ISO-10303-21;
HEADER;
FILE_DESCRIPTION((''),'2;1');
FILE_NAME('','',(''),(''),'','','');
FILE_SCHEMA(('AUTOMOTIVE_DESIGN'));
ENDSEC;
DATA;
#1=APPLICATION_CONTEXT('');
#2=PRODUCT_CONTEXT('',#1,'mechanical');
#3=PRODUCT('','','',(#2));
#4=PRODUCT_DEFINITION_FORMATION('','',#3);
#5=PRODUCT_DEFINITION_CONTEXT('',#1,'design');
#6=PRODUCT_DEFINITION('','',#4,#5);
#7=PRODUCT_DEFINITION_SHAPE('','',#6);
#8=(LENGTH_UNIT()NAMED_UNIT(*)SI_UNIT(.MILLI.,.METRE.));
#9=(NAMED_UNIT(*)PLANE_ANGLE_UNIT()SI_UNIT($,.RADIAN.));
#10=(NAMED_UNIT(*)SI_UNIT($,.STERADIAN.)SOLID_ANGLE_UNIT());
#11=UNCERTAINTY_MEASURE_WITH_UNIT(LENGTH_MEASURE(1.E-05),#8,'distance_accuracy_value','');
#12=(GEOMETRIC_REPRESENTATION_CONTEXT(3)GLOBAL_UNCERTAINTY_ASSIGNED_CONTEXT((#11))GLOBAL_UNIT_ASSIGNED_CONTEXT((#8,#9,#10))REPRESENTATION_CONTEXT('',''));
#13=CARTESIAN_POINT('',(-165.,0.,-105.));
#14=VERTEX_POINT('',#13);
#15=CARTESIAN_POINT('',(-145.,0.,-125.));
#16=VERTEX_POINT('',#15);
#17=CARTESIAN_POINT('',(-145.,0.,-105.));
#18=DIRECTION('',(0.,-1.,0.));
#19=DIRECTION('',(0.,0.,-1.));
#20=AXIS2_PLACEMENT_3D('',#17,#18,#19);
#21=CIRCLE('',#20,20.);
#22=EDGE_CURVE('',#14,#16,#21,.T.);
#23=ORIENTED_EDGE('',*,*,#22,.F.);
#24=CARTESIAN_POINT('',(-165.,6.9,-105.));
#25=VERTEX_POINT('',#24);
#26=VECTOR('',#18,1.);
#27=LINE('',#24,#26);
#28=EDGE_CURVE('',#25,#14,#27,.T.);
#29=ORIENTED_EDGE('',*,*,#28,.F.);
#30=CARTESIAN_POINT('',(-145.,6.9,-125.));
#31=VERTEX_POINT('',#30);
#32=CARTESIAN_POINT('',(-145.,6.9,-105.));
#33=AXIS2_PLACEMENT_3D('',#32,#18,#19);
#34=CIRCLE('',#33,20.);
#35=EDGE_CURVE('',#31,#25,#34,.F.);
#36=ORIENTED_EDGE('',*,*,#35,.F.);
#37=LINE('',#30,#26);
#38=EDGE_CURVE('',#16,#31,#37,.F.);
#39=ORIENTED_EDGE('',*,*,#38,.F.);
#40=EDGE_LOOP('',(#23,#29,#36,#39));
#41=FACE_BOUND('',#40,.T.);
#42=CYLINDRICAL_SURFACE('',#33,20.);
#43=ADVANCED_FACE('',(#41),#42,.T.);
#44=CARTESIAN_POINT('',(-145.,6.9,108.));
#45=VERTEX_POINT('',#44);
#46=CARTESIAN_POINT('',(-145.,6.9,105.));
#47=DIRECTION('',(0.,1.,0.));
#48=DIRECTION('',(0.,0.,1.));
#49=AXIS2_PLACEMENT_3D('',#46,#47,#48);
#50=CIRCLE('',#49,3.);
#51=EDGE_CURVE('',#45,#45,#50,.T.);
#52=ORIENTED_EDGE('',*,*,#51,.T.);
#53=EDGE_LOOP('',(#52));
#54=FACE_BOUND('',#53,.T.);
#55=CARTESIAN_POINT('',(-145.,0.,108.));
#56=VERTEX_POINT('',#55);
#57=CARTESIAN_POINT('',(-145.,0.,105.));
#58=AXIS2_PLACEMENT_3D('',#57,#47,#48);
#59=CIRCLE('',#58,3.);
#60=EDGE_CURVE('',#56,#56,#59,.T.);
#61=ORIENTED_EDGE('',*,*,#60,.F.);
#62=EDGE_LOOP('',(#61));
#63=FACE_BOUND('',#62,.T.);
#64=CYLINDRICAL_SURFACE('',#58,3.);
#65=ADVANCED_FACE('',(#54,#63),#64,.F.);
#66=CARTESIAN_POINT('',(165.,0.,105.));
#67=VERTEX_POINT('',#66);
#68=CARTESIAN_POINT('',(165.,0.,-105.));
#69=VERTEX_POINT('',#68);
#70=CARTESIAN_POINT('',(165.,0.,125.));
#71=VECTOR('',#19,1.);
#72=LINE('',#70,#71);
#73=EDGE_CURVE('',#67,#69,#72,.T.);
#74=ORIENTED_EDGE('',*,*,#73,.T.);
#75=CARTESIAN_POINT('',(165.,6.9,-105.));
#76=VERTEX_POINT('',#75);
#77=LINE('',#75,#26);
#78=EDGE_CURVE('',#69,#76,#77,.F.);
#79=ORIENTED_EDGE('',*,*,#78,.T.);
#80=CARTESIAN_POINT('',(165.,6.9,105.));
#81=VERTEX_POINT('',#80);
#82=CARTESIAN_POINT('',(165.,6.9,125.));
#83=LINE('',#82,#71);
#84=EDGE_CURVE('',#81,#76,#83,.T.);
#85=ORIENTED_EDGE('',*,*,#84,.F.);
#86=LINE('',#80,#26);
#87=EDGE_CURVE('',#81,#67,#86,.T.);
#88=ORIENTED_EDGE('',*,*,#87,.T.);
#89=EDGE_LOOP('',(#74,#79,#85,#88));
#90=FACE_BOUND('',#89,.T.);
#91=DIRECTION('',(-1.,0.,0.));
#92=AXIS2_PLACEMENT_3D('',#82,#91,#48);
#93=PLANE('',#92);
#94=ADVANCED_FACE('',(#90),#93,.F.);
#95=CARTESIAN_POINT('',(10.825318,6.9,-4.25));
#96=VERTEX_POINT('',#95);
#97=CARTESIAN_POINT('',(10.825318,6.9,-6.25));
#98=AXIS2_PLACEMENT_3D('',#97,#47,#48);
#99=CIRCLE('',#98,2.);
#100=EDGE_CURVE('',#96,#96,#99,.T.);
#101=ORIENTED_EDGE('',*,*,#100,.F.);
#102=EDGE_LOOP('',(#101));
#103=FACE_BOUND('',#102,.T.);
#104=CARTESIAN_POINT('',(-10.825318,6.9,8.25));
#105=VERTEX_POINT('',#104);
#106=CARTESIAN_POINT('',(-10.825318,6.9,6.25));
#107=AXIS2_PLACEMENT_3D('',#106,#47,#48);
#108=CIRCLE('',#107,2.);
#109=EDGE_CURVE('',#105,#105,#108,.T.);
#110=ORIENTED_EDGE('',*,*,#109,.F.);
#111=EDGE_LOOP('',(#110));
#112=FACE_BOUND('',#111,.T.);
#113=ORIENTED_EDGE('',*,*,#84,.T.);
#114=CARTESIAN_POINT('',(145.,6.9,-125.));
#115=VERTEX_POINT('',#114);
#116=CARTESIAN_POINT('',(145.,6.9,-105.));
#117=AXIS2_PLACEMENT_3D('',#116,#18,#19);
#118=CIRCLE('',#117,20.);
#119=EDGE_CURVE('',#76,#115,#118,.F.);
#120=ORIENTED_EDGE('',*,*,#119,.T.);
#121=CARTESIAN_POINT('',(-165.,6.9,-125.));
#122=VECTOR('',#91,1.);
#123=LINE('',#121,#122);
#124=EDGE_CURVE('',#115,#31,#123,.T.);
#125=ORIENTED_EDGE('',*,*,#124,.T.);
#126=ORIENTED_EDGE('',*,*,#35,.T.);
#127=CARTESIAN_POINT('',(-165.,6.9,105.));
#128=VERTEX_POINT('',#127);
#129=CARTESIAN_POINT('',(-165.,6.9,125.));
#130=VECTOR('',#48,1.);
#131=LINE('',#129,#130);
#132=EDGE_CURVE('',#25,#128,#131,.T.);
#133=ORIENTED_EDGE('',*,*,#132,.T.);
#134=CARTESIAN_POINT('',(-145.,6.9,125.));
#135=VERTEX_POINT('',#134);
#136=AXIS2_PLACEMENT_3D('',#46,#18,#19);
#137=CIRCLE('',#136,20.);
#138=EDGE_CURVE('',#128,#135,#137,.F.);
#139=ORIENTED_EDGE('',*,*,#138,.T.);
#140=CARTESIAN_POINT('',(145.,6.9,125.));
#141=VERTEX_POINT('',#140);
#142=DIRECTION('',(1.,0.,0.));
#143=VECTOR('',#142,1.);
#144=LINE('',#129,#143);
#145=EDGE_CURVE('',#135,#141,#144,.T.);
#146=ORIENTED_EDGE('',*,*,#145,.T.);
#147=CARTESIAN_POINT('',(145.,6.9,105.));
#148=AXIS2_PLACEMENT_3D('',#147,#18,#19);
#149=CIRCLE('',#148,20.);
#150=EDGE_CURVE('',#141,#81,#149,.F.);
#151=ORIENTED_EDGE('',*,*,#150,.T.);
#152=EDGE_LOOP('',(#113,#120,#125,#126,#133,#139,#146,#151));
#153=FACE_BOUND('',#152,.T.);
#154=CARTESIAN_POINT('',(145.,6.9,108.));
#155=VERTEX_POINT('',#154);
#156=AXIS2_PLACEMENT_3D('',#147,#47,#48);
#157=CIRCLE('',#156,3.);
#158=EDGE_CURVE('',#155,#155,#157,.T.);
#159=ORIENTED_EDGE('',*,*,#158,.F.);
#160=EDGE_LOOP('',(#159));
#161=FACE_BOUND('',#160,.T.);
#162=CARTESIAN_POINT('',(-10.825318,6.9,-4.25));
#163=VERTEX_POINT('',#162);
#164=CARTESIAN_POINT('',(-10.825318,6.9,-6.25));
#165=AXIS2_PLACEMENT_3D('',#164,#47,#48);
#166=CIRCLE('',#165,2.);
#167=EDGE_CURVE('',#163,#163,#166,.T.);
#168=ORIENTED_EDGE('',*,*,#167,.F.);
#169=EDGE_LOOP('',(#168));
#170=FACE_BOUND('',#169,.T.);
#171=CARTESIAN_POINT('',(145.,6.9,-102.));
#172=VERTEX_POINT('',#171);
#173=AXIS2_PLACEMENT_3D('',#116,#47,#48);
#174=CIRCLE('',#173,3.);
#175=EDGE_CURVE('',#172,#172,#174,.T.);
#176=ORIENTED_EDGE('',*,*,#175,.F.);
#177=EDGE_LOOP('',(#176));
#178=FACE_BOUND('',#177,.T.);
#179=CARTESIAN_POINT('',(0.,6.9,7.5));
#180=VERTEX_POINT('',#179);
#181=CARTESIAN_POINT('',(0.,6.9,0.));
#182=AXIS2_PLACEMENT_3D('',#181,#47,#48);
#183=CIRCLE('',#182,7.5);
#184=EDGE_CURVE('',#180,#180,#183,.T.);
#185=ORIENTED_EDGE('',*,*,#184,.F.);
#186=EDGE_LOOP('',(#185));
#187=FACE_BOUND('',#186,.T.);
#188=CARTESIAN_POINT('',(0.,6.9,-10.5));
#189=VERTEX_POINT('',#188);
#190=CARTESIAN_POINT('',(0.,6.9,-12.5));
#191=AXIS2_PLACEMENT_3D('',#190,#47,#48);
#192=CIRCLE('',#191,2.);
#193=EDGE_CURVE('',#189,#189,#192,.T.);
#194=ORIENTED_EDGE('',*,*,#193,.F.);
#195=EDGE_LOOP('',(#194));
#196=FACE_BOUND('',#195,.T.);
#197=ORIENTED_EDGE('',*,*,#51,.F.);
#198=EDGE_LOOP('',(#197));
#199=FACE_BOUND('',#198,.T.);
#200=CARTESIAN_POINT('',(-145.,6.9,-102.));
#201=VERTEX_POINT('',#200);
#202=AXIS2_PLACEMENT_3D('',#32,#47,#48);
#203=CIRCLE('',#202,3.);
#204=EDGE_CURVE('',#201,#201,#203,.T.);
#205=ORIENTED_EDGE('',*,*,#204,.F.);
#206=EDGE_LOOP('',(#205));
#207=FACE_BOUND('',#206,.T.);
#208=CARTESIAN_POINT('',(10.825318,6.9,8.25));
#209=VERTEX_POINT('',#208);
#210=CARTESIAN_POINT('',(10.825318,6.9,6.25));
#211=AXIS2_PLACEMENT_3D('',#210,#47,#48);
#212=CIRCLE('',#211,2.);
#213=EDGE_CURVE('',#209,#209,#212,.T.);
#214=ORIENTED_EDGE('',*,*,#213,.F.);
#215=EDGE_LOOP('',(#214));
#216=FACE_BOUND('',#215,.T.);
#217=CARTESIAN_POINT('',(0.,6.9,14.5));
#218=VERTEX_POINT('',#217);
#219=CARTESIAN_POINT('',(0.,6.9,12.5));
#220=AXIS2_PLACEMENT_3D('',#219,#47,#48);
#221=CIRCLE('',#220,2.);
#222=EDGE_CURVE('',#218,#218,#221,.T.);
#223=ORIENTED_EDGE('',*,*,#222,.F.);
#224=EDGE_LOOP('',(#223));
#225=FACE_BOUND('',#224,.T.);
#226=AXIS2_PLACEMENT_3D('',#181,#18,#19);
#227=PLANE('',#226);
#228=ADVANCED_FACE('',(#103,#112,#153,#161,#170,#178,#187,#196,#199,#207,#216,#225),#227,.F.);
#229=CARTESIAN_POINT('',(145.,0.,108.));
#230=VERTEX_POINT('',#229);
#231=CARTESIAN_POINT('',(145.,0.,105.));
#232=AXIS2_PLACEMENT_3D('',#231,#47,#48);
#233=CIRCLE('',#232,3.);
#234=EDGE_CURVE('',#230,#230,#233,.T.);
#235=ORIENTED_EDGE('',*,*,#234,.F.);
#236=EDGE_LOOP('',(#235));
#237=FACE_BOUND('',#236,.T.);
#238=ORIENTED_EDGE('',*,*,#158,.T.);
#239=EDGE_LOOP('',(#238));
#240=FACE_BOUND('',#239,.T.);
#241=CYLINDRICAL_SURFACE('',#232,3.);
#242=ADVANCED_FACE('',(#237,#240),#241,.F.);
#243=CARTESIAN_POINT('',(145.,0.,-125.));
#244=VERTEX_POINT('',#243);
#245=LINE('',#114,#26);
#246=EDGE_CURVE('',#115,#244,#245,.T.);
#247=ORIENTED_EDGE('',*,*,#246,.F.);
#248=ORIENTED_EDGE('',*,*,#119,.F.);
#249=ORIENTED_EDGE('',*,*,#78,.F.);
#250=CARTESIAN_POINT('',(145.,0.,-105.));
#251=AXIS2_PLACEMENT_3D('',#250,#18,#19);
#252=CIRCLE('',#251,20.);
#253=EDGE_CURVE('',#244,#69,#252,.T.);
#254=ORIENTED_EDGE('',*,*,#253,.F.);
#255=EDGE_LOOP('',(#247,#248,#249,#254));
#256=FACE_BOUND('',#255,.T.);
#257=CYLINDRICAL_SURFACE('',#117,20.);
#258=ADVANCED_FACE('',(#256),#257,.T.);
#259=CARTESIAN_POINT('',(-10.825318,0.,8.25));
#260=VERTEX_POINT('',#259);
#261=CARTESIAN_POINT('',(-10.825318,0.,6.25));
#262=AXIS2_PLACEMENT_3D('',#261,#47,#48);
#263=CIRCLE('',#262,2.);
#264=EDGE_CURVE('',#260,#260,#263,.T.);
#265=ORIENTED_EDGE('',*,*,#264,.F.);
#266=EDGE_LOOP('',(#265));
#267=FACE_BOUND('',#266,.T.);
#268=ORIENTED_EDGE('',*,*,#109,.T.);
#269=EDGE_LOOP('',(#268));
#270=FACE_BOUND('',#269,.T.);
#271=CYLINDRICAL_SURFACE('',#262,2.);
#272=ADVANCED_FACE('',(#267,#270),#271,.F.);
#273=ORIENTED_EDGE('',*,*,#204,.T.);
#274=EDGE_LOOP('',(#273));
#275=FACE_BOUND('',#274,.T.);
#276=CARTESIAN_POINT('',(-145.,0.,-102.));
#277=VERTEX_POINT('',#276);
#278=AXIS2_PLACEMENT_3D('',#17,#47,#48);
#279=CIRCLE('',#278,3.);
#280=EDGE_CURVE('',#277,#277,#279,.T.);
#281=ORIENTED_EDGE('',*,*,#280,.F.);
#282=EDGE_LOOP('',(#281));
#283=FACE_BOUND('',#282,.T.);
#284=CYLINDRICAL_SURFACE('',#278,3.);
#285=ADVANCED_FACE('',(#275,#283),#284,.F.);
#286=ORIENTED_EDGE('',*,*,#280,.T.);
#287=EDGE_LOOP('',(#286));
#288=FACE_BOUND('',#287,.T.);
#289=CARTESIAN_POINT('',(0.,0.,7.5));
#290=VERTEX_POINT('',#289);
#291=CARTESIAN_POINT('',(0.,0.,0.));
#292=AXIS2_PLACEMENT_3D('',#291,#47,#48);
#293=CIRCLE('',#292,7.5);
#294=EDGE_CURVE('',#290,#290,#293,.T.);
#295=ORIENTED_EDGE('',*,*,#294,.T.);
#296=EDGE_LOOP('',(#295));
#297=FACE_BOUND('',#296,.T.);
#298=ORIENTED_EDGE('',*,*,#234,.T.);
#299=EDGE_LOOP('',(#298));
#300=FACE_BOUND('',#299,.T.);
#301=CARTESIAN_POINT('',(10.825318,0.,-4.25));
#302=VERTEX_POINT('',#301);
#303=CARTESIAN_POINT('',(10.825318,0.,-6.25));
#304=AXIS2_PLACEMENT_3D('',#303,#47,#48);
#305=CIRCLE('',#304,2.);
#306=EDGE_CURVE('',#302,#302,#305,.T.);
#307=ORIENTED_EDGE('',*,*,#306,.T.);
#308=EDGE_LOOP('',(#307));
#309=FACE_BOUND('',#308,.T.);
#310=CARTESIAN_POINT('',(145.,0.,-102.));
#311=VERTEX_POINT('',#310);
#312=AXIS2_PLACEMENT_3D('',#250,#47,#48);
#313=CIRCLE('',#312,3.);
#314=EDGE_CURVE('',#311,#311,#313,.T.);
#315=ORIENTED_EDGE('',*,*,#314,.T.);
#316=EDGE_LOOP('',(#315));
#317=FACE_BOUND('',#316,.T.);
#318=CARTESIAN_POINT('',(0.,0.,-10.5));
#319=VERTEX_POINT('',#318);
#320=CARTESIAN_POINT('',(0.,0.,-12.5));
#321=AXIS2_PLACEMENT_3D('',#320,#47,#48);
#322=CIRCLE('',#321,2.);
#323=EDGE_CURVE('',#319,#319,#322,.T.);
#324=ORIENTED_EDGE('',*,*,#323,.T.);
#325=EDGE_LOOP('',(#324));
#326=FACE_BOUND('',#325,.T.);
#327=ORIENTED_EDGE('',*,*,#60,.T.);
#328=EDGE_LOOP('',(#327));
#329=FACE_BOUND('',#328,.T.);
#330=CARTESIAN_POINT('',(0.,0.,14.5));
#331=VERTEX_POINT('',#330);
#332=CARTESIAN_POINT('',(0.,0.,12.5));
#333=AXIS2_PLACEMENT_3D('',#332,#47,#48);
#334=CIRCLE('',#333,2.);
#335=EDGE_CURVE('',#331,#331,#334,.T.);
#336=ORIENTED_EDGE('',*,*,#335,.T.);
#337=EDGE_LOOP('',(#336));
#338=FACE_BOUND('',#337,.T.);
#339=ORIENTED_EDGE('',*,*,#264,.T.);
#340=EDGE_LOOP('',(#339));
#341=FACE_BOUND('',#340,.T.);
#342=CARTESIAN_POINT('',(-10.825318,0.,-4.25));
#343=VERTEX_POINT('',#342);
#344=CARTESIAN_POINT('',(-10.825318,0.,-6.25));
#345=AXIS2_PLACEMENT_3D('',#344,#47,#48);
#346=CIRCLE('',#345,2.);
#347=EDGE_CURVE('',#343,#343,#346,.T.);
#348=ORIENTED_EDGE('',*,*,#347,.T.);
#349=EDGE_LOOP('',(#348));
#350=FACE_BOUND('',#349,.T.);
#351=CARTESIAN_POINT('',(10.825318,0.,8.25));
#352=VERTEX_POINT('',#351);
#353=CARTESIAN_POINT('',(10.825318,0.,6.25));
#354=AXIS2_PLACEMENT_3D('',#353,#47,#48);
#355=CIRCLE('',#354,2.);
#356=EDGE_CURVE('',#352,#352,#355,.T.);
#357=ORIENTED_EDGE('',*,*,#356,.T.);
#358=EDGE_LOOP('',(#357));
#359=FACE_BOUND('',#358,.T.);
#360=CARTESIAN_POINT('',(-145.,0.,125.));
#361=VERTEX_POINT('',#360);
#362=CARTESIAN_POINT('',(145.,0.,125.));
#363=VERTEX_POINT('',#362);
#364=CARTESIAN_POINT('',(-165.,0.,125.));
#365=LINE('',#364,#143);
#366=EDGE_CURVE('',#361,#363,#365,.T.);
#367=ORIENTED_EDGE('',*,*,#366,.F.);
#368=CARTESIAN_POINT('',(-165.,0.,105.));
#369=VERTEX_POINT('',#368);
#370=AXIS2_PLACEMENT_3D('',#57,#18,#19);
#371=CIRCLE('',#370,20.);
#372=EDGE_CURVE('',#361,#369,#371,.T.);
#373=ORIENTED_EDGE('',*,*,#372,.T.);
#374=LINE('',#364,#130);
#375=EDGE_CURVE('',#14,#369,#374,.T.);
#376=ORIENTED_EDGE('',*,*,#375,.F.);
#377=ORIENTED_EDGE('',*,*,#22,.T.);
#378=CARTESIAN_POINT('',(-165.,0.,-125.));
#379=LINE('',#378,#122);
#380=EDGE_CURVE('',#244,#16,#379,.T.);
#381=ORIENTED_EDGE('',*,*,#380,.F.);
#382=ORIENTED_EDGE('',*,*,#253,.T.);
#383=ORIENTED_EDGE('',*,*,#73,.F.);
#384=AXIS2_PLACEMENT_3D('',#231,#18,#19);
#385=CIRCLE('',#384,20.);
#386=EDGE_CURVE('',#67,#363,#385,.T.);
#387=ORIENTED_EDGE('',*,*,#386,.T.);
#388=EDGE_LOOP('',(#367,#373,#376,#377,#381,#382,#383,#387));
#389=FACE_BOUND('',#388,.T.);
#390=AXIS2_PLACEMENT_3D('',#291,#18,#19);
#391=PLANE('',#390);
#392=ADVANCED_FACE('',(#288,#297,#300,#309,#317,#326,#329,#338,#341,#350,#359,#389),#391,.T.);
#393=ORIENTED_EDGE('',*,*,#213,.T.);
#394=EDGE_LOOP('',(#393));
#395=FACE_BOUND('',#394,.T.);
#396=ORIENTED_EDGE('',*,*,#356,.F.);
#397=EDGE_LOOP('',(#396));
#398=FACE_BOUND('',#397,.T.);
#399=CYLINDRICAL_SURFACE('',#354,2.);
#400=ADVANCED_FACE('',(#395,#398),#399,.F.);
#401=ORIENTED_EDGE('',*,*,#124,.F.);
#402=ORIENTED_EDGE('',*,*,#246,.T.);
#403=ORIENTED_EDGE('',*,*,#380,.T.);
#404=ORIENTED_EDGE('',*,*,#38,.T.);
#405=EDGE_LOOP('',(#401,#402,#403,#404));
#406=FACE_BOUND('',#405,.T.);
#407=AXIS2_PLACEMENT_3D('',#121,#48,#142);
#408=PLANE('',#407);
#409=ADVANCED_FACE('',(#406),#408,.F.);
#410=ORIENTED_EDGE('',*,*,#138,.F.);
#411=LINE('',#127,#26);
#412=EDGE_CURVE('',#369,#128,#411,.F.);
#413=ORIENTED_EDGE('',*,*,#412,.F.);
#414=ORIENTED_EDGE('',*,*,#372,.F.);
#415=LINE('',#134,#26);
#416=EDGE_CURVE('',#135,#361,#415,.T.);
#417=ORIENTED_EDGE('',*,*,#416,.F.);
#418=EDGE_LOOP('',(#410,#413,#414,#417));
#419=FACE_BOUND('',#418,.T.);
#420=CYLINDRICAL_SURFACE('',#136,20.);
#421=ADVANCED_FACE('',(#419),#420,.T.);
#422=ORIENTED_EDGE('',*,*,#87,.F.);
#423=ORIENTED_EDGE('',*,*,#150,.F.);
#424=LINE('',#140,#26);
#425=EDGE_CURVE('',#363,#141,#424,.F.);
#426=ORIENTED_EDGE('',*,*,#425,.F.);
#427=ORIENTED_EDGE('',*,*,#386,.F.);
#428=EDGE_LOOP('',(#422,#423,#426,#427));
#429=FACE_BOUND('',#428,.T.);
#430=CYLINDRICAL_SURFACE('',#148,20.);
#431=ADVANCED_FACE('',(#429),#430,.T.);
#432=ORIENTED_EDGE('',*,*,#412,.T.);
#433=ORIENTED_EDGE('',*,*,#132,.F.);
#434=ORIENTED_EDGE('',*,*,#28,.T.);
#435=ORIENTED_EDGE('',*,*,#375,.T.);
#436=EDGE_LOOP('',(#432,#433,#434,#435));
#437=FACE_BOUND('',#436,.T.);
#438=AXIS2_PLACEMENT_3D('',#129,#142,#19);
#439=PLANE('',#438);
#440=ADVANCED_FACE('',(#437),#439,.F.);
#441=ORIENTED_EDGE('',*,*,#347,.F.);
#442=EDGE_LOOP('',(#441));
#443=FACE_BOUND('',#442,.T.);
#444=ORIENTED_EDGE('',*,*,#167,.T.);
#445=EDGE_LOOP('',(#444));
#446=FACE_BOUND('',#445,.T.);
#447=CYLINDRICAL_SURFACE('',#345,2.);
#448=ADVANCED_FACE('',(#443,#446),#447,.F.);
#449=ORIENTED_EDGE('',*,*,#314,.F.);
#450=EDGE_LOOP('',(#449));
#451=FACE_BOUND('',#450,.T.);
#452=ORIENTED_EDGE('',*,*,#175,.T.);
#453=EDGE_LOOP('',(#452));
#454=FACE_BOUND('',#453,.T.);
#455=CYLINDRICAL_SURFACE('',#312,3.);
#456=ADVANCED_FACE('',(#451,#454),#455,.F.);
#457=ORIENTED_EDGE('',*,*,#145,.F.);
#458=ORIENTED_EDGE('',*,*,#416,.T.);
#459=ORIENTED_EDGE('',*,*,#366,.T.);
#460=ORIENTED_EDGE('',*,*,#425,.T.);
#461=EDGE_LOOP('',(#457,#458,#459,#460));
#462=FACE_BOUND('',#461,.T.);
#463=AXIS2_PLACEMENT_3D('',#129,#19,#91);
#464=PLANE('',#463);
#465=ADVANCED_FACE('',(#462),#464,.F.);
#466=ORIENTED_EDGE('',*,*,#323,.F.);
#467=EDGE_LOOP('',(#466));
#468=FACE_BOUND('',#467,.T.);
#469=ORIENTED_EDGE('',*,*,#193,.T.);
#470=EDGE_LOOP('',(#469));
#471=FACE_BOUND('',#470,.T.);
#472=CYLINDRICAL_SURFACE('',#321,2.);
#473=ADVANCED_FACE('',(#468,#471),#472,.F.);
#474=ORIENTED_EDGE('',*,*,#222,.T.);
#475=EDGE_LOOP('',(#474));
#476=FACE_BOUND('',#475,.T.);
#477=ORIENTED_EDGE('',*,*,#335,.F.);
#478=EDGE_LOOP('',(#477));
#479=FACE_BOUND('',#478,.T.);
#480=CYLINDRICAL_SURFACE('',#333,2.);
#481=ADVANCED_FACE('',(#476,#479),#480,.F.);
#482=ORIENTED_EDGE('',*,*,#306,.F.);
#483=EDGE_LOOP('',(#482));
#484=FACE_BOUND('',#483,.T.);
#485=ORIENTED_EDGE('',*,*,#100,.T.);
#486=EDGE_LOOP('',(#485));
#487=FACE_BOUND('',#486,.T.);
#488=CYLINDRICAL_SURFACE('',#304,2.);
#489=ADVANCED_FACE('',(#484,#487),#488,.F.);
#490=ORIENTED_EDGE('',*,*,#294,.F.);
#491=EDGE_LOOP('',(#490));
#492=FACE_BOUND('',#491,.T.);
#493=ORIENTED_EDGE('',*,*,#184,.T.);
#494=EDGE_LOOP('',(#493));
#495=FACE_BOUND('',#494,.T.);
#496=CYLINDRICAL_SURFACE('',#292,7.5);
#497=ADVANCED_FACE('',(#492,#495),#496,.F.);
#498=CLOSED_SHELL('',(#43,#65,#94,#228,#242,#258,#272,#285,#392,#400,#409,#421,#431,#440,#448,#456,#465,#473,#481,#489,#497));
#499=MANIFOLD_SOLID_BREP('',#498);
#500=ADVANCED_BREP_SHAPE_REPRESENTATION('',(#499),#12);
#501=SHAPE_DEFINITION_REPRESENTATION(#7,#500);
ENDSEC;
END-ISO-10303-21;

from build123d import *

# Parameters (mm, degrees)
SKETCH1_W           = 330
SKETCH1_H           = 250
BOSS_EXTRUDE1_DEPTH = 6.9
SKETCH2_R           = 3
CUT_EXTRUDE1_DEPTH  = 7.9
SKETCH3_R           = 2
SKETCH3_R_2         = 7.5
CUT_EXTRUDE2_DEPTH  = 7.9
FILLET1_R           = 20


with BuildPart() as part:
    # Sketch1 → Boss-Extrude1 (new body)
    with BuildSketch(Plane(origin=(0, 0, 0), x_dir=(1, 0, 0), z_dir=(0, 1, 0))):
        Rectangle(SKETCH1_W, SKETCH1_H)
    extrude(amount=BOSS_EXTRUDE1_DEPTH)

    # Sketch2 → Cut-Extrude1 (cut, through all)
    with BuildSketch(Plane(origin=(0, 6.9, 0), x_dir=(1, 0, 0), z_dir=(0, 1, 0))):
        with Locations((-145, 105)):
            Circle(SKETCH2_R)
        with Locations((145, 105)):
            Circle(SKETCH2_R)
        with Locations((145, -105)):
            Circle(SKETCH2_R)
        with Locations((-145, -105)):
            Circle(SKETCH2_R)
    extrude(amount=-CUT_EXTRUDE1_DEPTH, mode=Mode.SUBTRACT)

    # Sketch3 → Cut-Extrude2 (cut, through all)
    with BuildSketch(Plane(origin=(0, 6.9, 0), x_dir=(1, 0, 0), z_dir=(0, 1, 0))):
        with Locations((0, 12.5)):
            Circle(SKETCH3_R)
        with Locations((10.825317547, 6.25)):
            Circle(SKETCH3_R)
        with Locations((10.825317547, -6.25)):
            Circle(SKETCH3_R)
        with Locations((0, -12.5)):
            Circle(SKETCH3_R)
        with Locations((-10.825317547, -6.25)):
            Circle(SKETCH3_R)
        with Locations((-10.825317547, 6.25)):
            Circle(SKETCH3_R)
        Circle(SKETCH3_R_2)
    extrude(amount=-CUT_EXTRUDE2_DEPTH, mode=Mode.SUBTRACT)

    # Fillet1
    fillet1_edges = [part.edges().sort_by_distance(p)[0] for p in [
        (-165, 3.45, -125),
        (165, 3.45, -125),
        (165, 3.45, 125),
        (-165, 3.45, 125),
    ]]
    fillet(fillet1_edges, radius=FILLET1_R)


solid = part.part
